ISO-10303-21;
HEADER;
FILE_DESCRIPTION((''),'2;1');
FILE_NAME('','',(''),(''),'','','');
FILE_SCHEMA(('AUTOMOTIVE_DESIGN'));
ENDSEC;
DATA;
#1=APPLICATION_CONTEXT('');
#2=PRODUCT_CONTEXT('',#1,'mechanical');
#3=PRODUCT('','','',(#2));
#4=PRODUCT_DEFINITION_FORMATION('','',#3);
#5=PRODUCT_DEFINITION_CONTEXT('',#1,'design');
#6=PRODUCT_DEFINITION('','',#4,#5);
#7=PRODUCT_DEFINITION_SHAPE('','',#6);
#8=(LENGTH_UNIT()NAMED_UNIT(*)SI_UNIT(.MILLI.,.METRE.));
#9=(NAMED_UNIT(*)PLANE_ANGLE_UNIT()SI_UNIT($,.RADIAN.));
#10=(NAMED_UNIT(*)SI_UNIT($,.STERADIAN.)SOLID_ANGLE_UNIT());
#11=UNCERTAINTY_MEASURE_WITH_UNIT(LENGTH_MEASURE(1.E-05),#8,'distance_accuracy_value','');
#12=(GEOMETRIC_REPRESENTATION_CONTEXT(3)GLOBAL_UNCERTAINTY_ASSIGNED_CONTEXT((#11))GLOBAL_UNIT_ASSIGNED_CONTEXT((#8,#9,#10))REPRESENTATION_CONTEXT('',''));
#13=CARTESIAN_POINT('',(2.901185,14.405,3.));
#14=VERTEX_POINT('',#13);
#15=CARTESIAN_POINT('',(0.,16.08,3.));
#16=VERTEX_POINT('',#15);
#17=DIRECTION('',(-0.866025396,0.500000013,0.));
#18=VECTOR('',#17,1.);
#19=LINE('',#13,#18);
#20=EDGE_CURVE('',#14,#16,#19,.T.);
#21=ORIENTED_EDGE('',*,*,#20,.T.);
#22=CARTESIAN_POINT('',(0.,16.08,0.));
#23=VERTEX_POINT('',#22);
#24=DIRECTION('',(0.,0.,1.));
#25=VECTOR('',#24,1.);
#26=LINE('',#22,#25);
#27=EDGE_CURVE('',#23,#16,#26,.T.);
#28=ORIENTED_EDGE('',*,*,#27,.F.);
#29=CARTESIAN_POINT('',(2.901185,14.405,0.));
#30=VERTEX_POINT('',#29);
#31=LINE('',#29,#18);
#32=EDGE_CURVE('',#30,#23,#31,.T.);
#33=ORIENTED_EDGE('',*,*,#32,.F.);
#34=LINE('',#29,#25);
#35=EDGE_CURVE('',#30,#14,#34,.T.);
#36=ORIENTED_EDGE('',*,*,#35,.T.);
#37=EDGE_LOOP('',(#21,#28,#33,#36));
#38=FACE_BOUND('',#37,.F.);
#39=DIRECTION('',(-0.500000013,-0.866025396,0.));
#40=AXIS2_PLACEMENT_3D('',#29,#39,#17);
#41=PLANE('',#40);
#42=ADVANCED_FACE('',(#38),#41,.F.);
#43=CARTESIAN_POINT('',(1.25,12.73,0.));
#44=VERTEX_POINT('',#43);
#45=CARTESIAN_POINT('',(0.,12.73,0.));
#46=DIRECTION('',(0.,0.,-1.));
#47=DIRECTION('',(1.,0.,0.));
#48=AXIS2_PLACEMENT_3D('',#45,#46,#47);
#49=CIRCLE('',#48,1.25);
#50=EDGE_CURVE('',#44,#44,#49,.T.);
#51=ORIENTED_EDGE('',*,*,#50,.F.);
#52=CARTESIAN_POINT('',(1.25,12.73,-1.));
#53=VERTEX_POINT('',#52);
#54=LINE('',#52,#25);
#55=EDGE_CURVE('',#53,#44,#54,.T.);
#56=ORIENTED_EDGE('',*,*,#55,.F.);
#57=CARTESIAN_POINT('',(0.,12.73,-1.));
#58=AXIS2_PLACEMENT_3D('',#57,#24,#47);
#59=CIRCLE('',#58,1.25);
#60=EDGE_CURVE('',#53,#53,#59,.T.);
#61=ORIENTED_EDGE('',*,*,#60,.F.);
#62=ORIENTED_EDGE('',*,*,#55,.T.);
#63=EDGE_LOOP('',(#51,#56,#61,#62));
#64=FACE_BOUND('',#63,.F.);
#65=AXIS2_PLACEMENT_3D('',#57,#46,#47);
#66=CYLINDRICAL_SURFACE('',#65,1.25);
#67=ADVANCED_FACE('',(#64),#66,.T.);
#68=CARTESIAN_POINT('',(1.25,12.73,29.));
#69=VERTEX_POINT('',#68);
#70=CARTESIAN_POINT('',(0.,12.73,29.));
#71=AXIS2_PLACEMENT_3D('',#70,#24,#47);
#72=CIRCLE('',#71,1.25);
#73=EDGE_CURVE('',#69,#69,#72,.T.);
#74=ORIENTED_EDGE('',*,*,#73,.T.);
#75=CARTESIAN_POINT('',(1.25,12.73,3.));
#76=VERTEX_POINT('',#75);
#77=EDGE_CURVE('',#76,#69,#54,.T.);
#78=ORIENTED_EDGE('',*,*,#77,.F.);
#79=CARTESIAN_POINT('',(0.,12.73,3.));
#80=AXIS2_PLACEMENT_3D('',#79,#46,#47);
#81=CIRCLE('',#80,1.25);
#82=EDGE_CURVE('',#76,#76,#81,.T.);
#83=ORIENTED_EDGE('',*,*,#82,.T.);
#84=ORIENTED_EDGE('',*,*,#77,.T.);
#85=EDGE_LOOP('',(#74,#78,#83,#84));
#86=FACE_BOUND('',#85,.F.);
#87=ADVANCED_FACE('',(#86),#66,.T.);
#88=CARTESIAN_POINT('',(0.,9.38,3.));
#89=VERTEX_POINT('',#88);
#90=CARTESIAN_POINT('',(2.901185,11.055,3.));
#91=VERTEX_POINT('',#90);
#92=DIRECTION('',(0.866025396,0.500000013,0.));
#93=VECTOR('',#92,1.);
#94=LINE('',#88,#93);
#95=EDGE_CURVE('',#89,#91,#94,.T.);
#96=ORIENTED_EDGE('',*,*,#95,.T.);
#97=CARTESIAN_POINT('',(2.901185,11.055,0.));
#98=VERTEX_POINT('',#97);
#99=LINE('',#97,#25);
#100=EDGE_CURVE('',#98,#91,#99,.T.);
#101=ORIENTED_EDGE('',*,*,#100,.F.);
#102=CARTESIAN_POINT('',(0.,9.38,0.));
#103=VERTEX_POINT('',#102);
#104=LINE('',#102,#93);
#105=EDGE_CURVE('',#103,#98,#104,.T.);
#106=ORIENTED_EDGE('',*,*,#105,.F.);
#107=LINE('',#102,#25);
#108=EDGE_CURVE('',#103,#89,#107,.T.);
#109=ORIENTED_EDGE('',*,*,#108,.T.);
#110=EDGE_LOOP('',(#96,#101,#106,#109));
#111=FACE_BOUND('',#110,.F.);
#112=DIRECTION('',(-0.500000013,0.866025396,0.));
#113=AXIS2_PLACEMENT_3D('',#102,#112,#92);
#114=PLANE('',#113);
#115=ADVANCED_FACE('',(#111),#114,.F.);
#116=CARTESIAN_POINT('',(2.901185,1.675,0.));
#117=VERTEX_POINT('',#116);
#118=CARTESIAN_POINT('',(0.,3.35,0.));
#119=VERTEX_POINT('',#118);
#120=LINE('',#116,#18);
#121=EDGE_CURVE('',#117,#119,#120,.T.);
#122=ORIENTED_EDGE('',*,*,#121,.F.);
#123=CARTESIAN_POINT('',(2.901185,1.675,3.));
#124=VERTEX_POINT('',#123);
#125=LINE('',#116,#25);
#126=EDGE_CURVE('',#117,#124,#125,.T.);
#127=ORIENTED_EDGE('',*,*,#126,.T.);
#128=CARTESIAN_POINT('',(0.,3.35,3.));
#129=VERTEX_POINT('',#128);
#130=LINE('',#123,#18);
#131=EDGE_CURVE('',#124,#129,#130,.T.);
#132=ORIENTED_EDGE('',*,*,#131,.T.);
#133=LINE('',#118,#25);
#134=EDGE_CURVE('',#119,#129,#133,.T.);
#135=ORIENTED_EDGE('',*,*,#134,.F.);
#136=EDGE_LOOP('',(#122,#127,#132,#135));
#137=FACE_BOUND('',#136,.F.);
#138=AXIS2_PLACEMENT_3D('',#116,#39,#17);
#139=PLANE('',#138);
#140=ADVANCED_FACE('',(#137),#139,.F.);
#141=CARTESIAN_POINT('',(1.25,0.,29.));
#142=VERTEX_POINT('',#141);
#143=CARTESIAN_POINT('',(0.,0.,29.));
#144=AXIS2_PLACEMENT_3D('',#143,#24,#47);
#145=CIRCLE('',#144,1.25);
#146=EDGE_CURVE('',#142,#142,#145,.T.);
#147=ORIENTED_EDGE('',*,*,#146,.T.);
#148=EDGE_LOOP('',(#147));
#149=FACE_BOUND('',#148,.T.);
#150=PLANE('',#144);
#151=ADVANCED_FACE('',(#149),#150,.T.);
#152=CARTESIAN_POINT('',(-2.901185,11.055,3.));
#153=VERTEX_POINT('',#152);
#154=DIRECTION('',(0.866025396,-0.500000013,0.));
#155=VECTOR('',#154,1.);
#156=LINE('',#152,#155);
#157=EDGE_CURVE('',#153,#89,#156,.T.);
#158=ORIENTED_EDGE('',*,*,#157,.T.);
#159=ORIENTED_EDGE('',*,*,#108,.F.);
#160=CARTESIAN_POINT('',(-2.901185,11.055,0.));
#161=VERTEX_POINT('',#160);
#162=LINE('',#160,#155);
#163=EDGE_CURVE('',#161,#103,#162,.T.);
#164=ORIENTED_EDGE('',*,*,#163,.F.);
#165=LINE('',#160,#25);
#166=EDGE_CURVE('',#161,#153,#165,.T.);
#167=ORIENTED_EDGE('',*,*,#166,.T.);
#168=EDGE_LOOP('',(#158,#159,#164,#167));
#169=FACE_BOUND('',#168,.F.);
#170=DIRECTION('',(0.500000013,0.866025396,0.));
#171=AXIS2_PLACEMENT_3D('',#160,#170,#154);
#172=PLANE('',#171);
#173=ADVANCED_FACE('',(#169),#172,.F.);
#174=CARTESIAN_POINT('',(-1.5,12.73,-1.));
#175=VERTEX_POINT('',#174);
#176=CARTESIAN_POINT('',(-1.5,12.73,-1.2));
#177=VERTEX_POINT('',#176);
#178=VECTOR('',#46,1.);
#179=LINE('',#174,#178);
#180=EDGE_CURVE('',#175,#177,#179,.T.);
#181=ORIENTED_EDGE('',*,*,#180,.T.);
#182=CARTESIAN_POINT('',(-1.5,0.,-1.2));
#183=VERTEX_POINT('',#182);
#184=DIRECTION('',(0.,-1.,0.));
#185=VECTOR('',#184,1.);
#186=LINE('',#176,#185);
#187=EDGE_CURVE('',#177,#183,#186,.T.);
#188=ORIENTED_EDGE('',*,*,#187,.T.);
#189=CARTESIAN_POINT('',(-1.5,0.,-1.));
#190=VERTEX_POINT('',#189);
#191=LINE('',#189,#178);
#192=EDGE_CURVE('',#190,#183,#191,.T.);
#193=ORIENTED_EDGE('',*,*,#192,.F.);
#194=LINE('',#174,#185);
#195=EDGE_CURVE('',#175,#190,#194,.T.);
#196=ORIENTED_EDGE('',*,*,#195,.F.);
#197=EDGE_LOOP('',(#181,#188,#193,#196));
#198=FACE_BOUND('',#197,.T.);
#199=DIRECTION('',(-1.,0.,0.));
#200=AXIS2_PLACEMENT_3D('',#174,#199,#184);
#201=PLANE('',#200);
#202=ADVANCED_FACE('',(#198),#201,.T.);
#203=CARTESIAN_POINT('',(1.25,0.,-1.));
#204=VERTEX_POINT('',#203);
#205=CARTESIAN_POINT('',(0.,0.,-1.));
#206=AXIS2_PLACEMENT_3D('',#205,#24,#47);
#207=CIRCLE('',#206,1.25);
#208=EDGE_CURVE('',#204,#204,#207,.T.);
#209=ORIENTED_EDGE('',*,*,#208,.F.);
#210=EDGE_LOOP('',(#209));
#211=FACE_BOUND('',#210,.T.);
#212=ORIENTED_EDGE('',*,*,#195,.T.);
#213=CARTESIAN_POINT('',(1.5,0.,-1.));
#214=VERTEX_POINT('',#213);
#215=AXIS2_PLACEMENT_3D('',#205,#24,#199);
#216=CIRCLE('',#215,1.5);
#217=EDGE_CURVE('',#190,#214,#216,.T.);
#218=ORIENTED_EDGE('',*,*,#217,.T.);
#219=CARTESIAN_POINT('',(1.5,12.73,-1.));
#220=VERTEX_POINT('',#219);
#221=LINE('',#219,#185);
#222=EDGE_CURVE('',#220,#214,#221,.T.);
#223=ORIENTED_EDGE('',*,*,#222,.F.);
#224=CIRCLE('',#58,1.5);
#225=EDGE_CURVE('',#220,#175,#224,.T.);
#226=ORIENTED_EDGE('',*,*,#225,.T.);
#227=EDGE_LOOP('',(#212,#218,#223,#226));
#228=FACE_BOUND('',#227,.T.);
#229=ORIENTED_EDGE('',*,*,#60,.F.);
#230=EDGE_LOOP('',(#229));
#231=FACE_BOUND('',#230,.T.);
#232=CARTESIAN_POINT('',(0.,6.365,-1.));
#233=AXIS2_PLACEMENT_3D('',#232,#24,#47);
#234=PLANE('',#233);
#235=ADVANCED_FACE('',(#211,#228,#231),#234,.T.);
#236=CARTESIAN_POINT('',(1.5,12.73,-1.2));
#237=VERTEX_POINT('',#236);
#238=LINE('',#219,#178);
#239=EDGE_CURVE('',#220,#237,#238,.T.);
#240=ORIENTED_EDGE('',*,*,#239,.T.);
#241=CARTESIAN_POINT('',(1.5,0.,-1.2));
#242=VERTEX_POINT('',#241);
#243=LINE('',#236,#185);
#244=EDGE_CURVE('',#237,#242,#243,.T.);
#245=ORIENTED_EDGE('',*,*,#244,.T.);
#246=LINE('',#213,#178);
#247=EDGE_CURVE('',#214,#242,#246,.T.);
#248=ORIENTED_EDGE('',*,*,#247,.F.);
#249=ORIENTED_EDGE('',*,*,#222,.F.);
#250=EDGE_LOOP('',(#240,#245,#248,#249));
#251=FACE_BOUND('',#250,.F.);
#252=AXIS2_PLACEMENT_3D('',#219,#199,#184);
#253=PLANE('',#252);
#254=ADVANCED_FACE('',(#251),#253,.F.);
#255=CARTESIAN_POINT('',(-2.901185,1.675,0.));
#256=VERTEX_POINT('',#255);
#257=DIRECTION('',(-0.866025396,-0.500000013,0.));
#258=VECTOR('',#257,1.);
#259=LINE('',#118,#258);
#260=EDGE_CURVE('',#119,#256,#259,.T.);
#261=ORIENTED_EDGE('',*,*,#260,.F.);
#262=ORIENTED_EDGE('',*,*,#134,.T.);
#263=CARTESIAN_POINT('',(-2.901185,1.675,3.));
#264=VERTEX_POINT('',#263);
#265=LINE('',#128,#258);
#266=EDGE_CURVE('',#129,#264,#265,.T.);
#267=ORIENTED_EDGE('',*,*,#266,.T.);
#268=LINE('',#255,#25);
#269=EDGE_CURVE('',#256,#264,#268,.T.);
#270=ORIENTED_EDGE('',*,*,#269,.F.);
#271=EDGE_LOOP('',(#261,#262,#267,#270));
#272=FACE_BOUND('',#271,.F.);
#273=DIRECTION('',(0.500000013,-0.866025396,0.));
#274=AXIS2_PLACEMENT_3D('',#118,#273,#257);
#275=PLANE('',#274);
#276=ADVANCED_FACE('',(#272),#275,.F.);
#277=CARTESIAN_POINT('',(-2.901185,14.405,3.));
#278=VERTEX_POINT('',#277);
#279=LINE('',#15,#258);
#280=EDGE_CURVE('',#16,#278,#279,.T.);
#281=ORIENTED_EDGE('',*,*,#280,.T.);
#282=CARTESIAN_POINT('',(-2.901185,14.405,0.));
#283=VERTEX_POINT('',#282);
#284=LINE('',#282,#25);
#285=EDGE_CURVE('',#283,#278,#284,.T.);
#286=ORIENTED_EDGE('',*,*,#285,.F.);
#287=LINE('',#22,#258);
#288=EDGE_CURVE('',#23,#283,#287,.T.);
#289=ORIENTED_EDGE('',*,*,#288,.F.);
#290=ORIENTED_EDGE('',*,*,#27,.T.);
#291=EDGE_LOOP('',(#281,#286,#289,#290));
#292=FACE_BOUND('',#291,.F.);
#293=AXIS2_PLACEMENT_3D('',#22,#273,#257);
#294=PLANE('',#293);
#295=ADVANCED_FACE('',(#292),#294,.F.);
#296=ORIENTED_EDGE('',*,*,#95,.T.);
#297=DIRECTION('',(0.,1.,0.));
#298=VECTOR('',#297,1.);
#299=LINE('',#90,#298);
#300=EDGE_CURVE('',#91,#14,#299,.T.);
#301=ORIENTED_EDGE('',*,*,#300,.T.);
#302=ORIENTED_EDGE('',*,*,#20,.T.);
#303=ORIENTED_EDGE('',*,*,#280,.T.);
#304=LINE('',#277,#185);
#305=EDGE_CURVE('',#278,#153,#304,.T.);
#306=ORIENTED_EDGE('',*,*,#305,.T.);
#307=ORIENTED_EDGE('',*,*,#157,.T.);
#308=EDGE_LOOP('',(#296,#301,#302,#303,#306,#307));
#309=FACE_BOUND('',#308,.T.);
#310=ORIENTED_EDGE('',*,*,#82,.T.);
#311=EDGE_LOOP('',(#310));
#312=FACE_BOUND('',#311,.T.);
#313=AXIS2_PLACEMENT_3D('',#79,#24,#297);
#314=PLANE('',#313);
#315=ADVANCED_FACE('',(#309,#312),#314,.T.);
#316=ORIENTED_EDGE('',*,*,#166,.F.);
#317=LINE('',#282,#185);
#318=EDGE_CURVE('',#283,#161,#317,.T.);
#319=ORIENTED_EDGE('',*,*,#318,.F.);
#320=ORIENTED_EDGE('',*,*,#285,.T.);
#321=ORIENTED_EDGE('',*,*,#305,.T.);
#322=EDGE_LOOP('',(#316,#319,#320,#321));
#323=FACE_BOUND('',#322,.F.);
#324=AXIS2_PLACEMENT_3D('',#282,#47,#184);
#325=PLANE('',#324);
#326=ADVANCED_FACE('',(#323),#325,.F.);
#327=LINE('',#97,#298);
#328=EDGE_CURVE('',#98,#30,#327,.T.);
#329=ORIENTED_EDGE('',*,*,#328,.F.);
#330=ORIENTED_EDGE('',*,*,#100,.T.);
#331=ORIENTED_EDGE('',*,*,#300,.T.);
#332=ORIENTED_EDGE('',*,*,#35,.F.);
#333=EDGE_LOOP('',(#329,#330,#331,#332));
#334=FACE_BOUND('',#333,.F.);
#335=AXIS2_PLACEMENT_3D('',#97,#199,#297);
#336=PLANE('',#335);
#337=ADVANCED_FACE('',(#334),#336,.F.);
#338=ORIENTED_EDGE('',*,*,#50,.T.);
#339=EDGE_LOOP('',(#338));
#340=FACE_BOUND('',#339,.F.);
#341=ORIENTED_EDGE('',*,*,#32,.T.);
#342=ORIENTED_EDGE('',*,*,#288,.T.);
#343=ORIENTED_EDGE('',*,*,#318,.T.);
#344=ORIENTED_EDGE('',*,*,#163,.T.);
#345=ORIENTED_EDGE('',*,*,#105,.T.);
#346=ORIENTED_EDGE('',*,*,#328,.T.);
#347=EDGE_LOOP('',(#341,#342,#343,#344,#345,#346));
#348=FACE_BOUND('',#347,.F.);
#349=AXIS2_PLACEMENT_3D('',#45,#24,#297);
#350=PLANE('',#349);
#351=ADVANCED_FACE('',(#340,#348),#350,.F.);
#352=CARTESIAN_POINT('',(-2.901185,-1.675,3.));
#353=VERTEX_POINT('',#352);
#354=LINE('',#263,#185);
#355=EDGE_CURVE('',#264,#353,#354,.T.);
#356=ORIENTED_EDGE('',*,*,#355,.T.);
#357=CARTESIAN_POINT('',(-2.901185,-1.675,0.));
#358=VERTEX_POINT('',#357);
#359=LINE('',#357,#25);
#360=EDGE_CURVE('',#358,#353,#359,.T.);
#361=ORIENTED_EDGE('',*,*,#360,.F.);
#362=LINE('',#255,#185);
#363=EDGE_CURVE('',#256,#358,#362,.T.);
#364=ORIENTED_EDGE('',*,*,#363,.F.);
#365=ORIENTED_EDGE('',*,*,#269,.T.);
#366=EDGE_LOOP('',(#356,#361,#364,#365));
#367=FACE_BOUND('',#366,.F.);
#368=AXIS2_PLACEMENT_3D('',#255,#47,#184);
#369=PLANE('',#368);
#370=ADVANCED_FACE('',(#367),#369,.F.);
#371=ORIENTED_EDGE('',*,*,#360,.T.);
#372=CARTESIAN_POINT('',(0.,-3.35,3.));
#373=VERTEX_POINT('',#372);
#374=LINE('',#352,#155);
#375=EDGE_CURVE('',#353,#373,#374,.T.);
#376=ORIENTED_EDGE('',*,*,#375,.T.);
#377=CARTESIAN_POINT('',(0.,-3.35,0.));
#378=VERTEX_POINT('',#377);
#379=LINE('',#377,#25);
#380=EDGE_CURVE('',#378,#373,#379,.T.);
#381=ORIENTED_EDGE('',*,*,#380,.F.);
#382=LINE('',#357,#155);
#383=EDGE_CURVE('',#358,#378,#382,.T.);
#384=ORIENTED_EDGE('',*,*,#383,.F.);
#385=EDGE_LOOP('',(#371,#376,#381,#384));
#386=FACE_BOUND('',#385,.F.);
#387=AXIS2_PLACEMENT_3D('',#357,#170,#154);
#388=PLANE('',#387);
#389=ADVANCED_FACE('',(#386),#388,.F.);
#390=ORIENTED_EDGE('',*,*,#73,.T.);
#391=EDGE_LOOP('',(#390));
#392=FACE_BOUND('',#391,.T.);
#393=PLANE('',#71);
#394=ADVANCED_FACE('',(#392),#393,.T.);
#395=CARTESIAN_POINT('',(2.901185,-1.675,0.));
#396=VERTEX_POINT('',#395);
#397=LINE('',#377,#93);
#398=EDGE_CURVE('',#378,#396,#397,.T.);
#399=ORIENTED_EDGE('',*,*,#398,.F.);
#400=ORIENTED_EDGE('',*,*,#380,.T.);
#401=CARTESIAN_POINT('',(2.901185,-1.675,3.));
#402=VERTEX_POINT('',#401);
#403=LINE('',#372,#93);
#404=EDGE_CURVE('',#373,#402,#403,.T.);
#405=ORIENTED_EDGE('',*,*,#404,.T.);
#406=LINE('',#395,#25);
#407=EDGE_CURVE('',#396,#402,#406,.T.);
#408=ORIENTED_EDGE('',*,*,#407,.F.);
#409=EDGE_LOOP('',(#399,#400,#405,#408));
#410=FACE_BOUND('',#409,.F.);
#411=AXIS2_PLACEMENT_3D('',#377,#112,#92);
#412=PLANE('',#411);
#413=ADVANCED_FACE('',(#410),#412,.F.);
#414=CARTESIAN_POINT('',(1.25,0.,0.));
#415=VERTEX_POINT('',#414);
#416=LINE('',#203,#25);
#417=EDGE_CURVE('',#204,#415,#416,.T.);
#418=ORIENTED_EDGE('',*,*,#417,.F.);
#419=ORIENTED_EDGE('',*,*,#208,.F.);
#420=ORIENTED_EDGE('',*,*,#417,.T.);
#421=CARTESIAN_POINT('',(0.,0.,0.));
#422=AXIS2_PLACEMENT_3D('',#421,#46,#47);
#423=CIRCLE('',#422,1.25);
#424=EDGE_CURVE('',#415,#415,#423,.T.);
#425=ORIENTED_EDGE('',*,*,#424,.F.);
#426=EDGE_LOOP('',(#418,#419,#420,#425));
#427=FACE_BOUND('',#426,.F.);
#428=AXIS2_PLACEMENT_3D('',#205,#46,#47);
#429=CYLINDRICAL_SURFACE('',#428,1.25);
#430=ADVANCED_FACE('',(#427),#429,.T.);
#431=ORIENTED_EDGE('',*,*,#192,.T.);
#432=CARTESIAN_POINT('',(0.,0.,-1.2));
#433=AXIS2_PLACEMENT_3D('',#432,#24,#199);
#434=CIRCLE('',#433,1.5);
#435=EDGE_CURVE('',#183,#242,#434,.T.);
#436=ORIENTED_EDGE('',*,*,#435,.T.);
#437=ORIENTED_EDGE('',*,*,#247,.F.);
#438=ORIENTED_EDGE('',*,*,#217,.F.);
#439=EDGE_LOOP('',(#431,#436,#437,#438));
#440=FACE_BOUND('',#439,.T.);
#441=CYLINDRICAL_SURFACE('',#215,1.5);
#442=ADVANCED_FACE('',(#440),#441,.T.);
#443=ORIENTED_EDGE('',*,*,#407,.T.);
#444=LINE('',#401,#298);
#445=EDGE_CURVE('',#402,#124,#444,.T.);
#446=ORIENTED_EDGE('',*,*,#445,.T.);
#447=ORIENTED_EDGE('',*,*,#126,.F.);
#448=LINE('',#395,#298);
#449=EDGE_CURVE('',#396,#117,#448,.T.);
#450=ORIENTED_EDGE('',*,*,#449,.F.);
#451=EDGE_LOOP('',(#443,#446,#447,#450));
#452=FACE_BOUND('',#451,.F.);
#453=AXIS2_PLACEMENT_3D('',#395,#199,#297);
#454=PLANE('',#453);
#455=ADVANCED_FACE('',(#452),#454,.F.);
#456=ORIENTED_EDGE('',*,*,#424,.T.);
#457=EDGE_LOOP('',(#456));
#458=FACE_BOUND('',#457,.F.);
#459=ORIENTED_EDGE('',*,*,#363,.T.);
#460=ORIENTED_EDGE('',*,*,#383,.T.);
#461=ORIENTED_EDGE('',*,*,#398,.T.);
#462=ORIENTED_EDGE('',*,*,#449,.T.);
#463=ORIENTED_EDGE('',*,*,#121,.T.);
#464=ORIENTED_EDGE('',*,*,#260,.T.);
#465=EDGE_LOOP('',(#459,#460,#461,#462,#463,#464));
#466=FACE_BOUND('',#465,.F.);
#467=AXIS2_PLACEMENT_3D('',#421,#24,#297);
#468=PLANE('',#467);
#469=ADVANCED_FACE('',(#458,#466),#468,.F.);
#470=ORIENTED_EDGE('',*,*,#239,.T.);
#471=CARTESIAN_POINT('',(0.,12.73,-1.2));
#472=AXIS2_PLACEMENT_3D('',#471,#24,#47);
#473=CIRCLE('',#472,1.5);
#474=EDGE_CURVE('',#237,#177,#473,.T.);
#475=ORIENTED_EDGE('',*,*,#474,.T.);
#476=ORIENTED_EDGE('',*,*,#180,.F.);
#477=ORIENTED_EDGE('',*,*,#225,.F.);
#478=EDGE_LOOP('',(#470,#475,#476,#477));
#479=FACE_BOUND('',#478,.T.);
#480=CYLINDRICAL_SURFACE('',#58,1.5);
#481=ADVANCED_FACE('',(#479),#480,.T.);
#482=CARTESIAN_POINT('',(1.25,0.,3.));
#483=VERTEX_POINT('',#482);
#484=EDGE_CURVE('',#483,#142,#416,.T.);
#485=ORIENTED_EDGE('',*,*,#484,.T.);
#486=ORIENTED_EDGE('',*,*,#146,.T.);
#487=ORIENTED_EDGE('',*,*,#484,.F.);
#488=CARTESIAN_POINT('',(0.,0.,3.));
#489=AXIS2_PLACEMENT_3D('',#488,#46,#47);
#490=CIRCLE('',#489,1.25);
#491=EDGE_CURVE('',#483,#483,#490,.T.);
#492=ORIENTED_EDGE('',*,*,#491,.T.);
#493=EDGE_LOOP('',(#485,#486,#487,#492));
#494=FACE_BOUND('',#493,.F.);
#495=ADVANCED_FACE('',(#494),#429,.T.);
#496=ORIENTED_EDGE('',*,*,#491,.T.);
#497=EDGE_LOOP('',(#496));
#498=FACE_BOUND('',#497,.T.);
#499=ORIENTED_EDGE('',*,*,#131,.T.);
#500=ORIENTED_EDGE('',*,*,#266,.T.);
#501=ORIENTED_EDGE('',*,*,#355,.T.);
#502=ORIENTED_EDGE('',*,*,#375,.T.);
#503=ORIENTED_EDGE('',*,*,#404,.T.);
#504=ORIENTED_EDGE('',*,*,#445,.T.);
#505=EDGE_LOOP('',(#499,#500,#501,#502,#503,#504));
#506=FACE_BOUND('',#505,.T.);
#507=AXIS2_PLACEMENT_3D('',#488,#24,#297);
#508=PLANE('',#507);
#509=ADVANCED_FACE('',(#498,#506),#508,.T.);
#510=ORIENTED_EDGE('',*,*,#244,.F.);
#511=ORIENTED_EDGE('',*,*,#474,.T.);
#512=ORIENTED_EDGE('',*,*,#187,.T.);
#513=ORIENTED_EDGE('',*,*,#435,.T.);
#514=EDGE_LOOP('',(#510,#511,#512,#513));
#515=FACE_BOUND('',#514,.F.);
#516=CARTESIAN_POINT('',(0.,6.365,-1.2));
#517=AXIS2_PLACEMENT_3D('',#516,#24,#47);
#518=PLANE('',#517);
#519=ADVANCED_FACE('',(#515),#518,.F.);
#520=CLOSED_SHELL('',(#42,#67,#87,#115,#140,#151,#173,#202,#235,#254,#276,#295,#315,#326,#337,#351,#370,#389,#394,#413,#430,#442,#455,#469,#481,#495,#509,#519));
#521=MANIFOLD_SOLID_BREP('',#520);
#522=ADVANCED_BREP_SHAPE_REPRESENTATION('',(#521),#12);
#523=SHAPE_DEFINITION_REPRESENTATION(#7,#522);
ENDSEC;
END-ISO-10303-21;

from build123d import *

# Parameters (mm, degrees)
PAD004_DEPTH   = 0.2
SKETCH003_R    = 1.25
PAD005_DEPTH   = 30
PRISM_DEPTH    = 3
PRISM001_DEPTH = 3


with BuildPart() as part:
    # Sketch008 → Pad004 (new body)
    with BuildSketch(Plane.XY.offset(-1)):
        with BuildLine():
            ThreePointArc((-1.5, 0), (0, -1.5), (1.5, 0))
            Line((1.5, 12.73), (1.5, 0))
            ThreePointArc((1.5, 12.73), (0, 14.23), (-1.5, 12.73))
            Line((-1.5, 12.73), (-1.5, 0))
        make_face()
    extrude(amount=-PAD004_DEPTH)

    # Sketch003 → Pad005 (join)
    with BuildSketch(Plane.XY.offset(-1)):
        Circle(SKETCH003_R)
        with Locations((0, 12.73)):
            Circle(SKETCH003_R)
    extrude(amount=PAD005_DEPTH)

    # Prism → Prism (join)
    with BuildSketch(Plane(origin=(0, 0, 0), x_dir=(0, 1, 0), z_dir=(0, 0, 1))):
        Polygon((3.35, 0), (1.675, 2.901185), (-1.675, 2.901185), (-3.35, 0), (-1.675, -2.901185), (1.675, -2.901185), align=None)
    extrude(amount=PRISM_DEPTH)

    # Prism001 → Prism001 (join)
    with BuildSketch(Plane(origin=(0, 12.73, 0), x_dir=(0, 1, 0), z_dir=(0, 0, 1))):
        Polygon((3.35, 0), (1.675, 2.901185), (-1.675, 2.901185), (-3.35, 0), (-1.675, -2.901185), (1.675, -2.901185), align=None)
    extrude(amount=PRISM001_DEPTH)


solid = part.part
